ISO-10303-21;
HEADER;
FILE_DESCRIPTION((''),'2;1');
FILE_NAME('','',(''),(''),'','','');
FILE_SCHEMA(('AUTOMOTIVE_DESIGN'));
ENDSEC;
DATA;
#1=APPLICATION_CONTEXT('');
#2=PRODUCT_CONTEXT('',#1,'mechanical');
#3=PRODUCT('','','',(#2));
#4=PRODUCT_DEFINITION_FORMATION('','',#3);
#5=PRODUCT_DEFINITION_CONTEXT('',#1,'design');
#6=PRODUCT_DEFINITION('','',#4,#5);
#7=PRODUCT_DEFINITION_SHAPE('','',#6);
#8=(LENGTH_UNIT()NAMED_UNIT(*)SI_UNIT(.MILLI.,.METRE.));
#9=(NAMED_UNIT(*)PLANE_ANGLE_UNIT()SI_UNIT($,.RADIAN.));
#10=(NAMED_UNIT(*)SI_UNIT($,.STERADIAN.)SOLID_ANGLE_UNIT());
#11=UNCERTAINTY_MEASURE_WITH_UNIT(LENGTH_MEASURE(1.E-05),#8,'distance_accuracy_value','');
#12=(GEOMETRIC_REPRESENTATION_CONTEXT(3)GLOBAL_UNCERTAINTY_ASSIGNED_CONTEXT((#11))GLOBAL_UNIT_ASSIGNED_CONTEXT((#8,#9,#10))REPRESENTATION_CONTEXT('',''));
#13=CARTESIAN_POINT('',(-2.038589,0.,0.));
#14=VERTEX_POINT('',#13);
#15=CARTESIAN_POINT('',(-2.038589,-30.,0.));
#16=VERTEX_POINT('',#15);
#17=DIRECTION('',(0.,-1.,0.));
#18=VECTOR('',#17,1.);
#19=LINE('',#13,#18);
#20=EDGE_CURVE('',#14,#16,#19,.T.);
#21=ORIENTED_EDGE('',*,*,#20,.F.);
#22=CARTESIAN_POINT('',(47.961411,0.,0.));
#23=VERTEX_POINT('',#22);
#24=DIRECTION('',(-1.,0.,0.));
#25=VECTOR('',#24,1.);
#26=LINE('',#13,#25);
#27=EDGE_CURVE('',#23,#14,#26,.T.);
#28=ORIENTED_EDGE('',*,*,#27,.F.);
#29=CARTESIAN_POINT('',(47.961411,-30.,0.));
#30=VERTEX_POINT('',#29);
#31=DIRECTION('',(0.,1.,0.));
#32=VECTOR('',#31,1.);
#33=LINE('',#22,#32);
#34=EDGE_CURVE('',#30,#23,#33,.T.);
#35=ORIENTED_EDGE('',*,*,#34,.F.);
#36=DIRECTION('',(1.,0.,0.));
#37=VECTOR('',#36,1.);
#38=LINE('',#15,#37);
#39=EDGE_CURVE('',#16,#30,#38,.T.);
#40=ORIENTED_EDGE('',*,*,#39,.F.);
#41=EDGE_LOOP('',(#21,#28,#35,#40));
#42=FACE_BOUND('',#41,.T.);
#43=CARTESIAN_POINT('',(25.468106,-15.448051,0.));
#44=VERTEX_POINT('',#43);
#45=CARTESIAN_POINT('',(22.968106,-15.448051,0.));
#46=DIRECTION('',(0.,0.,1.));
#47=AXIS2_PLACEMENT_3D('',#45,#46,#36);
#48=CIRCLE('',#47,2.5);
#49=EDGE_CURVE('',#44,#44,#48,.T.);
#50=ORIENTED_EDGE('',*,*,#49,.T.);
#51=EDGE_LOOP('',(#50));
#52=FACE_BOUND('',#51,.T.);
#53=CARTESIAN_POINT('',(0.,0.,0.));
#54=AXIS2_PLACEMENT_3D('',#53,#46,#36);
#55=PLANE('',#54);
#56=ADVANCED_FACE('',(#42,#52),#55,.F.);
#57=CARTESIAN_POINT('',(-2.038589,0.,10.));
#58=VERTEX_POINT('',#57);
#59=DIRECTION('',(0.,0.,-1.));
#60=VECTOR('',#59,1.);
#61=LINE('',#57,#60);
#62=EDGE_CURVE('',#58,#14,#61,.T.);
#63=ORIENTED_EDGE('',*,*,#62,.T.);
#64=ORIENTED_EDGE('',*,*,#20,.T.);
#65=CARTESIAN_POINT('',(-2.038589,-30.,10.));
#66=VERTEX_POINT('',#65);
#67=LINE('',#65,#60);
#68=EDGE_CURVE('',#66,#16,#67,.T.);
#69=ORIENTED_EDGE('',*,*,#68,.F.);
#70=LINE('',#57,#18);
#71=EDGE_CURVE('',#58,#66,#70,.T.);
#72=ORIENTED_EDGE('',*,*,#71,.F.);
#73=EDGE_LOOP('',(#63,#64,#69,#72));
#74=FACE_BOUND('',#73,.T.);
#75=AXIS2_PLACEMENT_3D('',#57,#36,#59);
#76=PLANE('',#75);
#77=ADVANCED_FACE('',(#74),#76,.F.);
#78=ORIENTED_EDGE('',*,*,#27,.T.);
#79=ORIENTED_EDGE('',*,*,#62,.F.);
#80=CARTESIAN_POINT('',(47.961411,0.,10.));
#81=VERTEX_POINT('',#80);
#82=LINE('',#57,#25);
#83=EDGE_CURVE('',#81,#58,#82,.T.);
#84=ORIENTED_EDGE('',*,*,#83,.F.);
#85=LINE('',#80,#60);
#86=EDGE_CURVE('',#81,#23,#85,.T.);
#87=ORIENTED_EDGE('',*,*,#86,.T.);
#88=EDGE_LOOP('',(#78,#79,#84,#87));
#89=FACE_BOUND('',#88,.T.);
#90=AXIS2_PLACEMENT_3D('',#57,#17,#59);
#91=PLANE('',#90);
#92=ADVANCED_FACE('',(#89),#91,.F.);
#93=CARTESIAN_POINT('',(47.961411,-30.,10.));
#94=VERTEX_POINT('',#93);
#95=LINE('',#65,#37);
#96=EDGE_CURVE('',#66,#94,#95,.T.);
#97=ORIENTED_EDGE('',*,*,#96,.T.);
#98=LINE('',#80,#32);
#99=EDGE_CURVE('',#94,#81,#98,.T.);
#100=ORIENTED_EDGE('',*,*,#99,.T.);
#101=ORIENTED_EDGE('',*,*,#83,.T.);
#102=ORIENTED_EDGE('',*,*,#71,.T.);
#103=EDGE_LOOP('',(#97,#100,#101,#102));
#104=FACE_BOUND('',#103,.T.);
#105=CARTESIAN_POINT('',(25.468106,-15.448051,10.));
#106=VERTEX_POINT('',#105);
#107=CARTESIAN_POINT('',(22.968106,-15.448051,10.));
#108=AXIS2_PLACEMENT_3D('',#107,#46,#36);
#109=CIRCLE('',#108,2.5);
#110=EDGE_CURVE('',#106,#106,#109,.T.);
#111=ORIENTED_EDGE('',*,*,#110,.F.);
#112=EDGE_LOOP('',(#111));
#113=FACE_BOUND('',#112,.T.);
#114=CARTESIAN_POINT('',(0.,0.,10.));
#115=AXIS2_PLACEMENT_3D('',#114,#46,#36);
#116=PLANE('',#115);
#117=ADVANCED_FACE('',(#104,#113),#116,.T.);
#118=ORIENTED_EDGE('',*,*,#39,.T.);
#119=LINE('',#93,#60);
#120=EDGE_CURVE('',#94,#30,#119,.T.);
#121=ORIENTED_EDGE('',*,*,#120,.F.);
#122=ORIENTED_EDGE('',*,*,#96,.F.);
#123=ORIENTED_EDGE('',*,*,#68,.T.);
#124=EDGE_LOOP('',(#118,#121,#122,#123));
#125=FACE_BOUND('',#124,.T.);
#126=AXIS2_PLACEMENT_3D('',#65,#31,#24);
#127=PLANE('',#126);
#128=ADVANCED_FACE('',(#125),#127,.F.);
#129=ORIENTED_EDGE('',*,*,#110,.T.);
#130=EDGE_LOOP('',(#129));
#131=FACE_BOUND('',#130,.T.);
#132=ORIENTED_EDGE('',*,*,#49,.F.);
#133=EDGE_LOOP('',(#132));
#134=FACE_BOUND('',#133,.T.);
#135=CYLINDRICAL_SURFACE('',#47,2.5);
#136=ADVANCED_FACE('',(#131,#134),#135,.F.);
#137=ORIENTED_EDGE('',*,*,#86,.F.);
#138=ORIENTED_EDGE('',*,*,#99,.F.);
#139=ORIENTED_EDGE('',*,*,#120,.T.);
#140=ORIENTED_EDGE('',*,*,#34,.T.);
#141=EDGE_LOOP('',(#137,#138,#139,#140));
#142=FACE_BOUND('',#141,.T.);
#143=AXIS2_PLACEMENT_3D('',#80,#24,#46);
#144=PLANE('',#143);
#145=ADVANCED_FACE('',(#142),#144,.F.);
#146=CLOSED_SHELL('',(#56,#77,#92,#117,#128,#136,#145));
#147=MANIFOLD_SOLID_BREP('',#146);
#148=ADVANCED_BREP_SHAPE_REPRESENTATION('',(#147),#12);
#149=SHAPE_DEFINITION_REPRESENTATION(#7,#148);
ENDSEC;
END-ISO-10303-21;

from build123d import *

# Parameters (mm, degrees)
SKETCH1_W           = 50
SKETCH1_H           = 30
BOSS_EXTRUDE1_DEPTH = 10
SKETCH2_R           = 2.5
CUT_EXTRUDE1_DEPTH  = 10


with BuildPart() as part:
    # Sketch1 → Boss-Extrude1 (new body)
    with BuildSketch(Plane.XY):
        with Locations((22.961410819, -15)):
            Rectangle(SKETCH1_W, SKETCH1_H)
    extrude(amount=BOSS_EXTRUDE1_DEPTH)

    # Sketch2 → Cut-Extrude1 (cut)
    with BuildSketch(Plane.XY.offset(10)):
        with Locations((22.96810558, -15.448051393)):
            Circle(SKETCH2_R)
    extrude(amount=-CUT_EXTRUDE1_DEPTH, mode=Mode.SUBTRACT)


solid = part.part
